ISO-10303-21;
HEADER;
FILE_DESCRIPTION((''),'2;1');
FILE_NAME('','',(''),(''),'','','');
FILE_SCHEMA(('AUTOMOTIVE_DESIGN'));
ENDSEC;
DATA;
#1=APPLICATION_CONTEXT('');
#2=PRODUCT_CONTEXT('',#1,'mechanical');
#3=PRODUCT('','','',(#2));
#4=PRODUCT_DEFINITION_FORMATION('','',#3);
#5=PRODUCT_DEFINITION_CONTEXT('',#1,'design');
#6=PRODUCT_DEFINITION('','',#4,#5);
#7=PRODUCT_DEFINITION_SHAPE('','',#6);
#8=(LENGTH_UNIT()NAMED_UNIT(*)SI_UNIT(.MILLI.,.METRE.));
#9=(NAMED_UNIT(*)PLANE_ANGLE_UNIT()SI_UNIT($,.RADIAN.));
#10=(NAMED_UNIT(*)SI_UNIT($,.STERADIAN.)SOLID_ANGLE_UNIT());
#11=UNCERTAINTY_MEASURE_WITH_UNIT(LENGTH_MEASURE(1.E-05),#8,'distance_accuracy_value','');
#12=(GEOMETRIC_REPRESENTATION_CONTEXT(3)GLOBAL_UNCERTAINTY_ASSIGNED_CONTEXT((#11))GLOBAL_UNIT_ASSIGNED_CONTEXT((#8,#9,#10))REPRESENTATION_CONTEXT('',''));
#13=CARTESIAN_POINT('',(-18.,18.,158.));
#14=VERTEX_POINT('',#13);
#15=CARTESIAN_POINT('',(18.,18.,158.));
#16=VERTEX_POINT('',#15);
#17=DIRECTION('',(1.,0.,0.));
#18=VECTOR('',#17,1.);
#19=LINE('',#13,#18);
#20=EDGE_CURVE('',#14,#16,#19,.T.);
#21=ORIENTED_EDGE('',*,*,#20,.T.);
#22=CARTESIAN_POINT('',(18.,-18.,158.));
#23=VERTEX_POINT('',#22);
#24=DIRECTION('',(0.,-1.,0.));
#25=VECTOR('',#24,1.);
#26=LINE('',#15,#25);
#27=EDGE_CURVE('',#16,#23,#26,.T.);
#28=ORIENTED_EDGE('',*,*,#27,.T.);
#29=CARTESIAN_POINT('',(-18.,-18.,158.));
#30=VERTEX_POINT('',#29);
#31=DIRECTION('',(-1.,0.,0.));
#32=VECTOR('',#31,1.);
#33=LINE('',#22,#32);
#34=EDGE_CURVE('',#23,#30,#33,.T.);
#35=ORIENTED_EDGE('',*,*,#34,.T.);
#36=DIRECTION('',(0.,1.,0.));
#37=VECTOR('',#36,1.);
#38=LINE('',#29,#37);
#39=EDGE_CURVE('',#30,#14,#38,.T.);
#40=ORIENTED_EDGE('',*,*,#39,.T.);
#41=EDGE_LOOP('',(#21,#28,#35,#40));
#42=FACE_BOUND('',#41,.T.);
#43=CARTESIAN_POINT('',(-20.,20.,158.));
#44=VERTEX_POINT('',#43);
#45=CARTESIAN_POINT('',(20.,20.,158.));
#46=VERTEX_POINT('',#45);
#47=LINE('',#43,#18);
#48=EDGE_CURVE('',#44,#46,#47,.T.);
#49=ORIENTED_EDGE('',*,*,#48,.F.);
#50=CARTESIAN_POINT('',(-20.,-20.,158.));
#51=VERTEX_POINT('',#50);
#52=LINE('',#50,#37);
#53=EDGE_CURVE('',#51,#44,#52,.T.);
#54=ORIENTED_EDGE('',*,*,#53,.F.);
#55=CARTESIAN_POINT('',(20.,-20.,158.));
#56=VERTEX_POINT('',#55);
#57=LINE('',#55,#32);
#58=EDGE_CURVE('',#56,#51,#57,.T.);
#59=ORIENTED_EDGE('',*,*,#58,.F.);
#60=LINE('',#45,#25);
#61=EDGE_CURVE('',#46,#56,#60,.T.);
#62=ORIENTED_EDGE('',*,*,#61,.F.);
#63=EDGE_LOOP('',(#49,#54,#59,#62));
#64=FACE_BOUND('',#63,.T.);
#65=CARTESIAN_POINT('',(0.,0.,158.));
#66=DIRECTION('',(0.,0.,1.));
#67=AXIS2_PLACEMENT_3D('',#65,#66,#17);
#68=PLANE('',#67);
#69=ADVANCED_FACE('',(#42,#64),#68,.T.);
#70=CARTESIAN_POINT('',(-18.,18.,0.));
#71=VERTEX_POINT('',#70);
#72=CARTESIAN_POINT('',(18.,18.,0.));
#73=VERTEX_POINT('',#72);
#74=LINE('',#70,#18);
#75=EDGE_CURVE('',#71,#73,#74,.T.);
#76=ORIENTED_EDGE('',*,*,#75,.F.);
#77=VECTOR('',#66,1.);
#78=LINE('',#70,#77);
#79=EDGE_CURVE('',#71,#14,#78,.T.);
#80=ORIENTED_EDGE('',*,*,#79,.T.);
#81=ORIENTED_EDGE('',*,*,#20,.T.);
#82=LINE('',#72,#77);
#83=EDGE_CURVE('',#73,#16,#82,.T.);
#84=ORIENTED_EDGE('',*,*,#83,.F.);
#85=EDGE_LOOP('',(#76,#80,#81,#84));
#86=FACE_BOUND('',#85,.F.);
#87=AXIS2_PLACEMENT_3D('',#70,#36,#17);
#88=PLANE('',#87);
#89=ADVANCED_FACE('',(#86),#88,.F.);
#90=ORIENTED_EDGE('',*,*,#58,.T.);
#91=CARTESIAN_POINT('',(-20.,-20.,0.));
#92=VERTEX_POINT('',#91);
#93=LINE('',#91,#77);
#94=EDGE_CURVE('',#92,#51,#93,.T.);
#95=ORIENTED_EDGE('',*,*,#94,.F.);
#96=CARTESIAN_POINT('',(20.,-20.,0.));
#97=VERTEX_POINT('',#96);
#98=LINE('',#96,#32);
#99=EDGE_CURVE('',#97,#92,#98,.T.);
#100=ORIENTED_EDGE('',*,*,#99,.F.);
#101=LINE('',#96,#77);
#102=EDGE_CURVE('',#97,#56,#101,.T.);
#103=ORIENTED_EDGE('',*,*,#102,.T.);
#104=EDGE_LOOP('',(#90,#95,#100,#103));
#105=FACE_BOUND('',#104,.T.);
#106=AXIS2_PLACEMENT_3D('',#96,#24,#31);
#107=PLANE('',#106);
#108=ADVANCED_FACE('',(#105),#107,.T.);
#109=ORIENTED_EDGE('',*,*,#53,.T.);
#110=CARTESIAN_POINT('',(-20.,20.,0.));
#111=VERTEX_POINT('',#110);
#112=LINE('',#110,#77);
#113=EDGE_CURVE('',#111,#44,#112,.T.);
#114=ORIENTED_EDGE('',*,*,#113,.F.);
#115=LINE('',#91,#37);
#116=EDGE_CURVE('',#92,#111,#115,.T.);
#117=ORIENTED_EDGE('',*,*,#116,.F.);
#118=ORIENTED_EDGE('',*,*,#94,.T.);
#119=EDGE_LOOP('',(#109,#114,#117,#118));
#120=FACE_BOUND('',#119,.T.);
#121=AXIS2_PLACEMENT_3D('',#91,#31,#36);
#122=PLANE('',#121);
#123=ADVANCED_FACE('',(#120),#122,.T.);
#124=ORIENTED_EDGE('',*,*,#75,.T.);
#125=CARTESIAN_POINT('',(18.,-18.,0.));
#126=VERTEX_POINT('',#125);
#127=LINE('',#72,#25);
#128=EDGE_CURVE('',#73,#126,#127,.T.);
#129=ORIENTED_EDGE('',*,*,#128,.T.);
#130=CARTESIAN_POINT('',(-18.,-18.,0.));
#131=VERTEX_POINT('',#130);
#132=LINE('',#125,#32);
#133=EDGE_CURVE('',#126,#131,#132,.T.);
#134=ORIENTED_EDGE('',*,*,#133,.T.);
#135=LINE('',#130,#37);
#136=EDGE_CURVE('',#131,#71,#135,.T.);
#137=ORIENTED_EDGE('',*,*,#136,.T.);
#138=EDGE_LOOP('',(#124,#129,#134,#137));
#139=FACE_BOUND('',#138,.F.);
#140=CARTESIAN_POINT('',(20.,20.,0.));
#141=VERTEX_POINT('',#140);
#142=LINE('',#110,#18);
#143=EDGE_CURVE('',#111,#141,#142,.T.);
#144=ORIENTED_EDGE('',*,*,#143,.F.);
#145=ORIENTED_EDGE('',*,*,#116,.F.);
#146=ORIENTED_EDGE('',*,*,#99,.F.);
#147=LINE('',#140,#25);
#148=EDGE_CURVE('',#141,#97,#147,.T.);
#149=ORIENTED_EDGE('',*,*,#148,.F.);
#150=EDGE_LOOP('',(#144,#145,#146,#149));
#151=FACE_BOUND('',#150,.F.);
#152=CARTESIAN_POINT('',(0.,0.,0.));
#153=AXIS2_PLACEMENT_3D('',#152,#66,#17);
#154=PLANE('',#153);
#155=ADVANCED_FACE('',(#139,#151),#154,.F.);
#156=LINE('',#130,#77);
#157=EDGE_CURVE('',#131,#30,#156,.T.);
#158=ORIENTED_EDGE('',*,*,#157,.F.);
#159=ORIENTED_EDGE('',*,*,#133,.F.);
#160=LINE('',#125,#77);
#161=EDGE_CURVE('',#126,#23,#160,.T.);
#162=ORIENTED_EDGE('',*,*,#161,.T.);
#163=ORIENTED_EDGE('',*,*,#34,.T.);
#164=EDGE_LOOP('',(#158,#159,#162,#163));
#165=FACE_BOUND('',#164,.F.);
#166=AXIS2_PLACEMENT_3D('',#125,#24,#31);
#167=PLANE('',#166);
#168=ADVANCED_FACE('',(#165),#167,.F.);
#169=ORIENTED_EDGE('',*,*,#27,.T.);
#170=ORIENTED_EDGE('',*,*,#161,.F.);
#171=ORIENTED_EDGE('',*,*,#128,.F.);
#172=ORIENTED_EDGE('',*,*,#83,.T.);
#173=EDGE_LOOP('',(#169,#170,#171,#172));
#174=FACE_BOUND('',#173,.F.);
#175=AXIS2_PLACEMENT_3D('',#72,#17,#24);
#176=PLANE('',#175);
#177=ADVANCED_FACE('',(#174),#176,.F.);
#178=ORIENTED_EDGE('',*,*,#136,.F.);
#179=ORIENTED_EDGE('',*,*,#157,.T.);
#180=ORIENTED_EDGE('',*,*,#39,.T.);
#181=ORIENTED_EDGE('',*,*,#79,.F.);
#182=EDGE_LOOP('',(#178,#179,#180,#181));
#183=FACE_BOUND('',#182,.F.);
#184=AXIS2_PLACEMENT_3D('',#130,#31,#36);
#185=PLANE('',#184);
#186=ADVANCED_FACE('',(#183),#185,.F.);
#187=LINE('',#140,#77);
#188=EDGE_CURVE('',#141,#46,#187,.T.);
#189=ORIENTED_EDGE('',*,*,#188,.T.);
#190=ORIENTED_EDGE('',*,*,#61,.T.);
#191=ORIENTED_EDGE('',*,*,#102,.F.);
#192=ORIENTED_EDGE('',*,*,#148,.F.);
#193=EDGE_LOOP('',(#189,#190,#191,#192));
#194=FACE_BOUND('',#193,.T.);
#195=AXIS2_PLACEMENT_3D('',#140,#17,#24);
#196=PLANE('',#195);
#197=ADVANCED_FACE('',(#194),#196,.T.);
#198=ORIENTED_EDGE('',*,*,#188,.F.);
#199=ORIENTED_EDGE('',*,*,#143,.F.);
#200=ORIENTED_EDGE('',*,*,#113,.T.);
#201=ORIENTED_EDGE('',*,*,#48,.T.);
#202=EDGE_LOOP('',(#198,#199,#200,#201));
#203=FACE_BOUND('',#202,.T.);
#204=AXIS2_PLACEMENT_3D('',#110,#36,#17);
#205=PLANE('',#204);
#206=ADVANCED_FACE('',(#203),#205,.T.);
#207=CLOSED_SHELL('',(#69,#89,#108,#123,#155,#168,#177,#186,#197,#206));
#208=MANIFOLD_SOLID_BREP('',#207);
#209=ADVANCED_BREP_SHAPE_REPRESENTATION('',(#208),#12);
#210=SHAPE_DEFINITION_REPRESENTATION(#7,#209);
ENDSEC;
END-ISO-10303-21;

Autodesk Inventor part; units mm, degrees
ref_plane "YZ Plane" through (0, 0, 0) normal (1, 0, 0) x (0, 1, 0)
ref_plane "XZ Plane" through (0, 0, 0) normal (0, 1, 0) x (-1, 0, 0)
ref_plane "XY Plane" through (0, 0, 0) normal (0, 0, 1) x (1, 0, 0)
sketch "Boceto1" plane through (0, 0, 0) normal (0, 0, 1) x (1, 0, 0)
  line L0 (-20, 20) -> (20, 20)
  line L1 (20, 20) -> (20, -20)
  line L2 (20, -20) -> (-20, -20)
  line L3 (-20, -20) -> (-20, 20)
  line L4 (-20, 20) -> (20, -20) construction
  line L5 (-18, 18) -> (18, 18)
  line L6 (18, 18) -> (18, -18)
  line L7 (18, -18) -> (-18, -18)
  line L8 (-18, -18) -> (-18, 18)
  line L9 (-18, 0) -> (-20, 0) construction
  line L10 (0, 18) -> (0, 20) construction
  line L11 (18, 0) -> (20, 0) construction
  line L12 (0, -18) -> (0, -20) construction
  point P0 (0, 0)
  point P1 (0, 0)
  dimension "d0" = 40
  dimension "d1" = 2
extrude "Extrusión1" add sketch "Boceto1" along normal blind 158
properties part number "C_358_40_2"
